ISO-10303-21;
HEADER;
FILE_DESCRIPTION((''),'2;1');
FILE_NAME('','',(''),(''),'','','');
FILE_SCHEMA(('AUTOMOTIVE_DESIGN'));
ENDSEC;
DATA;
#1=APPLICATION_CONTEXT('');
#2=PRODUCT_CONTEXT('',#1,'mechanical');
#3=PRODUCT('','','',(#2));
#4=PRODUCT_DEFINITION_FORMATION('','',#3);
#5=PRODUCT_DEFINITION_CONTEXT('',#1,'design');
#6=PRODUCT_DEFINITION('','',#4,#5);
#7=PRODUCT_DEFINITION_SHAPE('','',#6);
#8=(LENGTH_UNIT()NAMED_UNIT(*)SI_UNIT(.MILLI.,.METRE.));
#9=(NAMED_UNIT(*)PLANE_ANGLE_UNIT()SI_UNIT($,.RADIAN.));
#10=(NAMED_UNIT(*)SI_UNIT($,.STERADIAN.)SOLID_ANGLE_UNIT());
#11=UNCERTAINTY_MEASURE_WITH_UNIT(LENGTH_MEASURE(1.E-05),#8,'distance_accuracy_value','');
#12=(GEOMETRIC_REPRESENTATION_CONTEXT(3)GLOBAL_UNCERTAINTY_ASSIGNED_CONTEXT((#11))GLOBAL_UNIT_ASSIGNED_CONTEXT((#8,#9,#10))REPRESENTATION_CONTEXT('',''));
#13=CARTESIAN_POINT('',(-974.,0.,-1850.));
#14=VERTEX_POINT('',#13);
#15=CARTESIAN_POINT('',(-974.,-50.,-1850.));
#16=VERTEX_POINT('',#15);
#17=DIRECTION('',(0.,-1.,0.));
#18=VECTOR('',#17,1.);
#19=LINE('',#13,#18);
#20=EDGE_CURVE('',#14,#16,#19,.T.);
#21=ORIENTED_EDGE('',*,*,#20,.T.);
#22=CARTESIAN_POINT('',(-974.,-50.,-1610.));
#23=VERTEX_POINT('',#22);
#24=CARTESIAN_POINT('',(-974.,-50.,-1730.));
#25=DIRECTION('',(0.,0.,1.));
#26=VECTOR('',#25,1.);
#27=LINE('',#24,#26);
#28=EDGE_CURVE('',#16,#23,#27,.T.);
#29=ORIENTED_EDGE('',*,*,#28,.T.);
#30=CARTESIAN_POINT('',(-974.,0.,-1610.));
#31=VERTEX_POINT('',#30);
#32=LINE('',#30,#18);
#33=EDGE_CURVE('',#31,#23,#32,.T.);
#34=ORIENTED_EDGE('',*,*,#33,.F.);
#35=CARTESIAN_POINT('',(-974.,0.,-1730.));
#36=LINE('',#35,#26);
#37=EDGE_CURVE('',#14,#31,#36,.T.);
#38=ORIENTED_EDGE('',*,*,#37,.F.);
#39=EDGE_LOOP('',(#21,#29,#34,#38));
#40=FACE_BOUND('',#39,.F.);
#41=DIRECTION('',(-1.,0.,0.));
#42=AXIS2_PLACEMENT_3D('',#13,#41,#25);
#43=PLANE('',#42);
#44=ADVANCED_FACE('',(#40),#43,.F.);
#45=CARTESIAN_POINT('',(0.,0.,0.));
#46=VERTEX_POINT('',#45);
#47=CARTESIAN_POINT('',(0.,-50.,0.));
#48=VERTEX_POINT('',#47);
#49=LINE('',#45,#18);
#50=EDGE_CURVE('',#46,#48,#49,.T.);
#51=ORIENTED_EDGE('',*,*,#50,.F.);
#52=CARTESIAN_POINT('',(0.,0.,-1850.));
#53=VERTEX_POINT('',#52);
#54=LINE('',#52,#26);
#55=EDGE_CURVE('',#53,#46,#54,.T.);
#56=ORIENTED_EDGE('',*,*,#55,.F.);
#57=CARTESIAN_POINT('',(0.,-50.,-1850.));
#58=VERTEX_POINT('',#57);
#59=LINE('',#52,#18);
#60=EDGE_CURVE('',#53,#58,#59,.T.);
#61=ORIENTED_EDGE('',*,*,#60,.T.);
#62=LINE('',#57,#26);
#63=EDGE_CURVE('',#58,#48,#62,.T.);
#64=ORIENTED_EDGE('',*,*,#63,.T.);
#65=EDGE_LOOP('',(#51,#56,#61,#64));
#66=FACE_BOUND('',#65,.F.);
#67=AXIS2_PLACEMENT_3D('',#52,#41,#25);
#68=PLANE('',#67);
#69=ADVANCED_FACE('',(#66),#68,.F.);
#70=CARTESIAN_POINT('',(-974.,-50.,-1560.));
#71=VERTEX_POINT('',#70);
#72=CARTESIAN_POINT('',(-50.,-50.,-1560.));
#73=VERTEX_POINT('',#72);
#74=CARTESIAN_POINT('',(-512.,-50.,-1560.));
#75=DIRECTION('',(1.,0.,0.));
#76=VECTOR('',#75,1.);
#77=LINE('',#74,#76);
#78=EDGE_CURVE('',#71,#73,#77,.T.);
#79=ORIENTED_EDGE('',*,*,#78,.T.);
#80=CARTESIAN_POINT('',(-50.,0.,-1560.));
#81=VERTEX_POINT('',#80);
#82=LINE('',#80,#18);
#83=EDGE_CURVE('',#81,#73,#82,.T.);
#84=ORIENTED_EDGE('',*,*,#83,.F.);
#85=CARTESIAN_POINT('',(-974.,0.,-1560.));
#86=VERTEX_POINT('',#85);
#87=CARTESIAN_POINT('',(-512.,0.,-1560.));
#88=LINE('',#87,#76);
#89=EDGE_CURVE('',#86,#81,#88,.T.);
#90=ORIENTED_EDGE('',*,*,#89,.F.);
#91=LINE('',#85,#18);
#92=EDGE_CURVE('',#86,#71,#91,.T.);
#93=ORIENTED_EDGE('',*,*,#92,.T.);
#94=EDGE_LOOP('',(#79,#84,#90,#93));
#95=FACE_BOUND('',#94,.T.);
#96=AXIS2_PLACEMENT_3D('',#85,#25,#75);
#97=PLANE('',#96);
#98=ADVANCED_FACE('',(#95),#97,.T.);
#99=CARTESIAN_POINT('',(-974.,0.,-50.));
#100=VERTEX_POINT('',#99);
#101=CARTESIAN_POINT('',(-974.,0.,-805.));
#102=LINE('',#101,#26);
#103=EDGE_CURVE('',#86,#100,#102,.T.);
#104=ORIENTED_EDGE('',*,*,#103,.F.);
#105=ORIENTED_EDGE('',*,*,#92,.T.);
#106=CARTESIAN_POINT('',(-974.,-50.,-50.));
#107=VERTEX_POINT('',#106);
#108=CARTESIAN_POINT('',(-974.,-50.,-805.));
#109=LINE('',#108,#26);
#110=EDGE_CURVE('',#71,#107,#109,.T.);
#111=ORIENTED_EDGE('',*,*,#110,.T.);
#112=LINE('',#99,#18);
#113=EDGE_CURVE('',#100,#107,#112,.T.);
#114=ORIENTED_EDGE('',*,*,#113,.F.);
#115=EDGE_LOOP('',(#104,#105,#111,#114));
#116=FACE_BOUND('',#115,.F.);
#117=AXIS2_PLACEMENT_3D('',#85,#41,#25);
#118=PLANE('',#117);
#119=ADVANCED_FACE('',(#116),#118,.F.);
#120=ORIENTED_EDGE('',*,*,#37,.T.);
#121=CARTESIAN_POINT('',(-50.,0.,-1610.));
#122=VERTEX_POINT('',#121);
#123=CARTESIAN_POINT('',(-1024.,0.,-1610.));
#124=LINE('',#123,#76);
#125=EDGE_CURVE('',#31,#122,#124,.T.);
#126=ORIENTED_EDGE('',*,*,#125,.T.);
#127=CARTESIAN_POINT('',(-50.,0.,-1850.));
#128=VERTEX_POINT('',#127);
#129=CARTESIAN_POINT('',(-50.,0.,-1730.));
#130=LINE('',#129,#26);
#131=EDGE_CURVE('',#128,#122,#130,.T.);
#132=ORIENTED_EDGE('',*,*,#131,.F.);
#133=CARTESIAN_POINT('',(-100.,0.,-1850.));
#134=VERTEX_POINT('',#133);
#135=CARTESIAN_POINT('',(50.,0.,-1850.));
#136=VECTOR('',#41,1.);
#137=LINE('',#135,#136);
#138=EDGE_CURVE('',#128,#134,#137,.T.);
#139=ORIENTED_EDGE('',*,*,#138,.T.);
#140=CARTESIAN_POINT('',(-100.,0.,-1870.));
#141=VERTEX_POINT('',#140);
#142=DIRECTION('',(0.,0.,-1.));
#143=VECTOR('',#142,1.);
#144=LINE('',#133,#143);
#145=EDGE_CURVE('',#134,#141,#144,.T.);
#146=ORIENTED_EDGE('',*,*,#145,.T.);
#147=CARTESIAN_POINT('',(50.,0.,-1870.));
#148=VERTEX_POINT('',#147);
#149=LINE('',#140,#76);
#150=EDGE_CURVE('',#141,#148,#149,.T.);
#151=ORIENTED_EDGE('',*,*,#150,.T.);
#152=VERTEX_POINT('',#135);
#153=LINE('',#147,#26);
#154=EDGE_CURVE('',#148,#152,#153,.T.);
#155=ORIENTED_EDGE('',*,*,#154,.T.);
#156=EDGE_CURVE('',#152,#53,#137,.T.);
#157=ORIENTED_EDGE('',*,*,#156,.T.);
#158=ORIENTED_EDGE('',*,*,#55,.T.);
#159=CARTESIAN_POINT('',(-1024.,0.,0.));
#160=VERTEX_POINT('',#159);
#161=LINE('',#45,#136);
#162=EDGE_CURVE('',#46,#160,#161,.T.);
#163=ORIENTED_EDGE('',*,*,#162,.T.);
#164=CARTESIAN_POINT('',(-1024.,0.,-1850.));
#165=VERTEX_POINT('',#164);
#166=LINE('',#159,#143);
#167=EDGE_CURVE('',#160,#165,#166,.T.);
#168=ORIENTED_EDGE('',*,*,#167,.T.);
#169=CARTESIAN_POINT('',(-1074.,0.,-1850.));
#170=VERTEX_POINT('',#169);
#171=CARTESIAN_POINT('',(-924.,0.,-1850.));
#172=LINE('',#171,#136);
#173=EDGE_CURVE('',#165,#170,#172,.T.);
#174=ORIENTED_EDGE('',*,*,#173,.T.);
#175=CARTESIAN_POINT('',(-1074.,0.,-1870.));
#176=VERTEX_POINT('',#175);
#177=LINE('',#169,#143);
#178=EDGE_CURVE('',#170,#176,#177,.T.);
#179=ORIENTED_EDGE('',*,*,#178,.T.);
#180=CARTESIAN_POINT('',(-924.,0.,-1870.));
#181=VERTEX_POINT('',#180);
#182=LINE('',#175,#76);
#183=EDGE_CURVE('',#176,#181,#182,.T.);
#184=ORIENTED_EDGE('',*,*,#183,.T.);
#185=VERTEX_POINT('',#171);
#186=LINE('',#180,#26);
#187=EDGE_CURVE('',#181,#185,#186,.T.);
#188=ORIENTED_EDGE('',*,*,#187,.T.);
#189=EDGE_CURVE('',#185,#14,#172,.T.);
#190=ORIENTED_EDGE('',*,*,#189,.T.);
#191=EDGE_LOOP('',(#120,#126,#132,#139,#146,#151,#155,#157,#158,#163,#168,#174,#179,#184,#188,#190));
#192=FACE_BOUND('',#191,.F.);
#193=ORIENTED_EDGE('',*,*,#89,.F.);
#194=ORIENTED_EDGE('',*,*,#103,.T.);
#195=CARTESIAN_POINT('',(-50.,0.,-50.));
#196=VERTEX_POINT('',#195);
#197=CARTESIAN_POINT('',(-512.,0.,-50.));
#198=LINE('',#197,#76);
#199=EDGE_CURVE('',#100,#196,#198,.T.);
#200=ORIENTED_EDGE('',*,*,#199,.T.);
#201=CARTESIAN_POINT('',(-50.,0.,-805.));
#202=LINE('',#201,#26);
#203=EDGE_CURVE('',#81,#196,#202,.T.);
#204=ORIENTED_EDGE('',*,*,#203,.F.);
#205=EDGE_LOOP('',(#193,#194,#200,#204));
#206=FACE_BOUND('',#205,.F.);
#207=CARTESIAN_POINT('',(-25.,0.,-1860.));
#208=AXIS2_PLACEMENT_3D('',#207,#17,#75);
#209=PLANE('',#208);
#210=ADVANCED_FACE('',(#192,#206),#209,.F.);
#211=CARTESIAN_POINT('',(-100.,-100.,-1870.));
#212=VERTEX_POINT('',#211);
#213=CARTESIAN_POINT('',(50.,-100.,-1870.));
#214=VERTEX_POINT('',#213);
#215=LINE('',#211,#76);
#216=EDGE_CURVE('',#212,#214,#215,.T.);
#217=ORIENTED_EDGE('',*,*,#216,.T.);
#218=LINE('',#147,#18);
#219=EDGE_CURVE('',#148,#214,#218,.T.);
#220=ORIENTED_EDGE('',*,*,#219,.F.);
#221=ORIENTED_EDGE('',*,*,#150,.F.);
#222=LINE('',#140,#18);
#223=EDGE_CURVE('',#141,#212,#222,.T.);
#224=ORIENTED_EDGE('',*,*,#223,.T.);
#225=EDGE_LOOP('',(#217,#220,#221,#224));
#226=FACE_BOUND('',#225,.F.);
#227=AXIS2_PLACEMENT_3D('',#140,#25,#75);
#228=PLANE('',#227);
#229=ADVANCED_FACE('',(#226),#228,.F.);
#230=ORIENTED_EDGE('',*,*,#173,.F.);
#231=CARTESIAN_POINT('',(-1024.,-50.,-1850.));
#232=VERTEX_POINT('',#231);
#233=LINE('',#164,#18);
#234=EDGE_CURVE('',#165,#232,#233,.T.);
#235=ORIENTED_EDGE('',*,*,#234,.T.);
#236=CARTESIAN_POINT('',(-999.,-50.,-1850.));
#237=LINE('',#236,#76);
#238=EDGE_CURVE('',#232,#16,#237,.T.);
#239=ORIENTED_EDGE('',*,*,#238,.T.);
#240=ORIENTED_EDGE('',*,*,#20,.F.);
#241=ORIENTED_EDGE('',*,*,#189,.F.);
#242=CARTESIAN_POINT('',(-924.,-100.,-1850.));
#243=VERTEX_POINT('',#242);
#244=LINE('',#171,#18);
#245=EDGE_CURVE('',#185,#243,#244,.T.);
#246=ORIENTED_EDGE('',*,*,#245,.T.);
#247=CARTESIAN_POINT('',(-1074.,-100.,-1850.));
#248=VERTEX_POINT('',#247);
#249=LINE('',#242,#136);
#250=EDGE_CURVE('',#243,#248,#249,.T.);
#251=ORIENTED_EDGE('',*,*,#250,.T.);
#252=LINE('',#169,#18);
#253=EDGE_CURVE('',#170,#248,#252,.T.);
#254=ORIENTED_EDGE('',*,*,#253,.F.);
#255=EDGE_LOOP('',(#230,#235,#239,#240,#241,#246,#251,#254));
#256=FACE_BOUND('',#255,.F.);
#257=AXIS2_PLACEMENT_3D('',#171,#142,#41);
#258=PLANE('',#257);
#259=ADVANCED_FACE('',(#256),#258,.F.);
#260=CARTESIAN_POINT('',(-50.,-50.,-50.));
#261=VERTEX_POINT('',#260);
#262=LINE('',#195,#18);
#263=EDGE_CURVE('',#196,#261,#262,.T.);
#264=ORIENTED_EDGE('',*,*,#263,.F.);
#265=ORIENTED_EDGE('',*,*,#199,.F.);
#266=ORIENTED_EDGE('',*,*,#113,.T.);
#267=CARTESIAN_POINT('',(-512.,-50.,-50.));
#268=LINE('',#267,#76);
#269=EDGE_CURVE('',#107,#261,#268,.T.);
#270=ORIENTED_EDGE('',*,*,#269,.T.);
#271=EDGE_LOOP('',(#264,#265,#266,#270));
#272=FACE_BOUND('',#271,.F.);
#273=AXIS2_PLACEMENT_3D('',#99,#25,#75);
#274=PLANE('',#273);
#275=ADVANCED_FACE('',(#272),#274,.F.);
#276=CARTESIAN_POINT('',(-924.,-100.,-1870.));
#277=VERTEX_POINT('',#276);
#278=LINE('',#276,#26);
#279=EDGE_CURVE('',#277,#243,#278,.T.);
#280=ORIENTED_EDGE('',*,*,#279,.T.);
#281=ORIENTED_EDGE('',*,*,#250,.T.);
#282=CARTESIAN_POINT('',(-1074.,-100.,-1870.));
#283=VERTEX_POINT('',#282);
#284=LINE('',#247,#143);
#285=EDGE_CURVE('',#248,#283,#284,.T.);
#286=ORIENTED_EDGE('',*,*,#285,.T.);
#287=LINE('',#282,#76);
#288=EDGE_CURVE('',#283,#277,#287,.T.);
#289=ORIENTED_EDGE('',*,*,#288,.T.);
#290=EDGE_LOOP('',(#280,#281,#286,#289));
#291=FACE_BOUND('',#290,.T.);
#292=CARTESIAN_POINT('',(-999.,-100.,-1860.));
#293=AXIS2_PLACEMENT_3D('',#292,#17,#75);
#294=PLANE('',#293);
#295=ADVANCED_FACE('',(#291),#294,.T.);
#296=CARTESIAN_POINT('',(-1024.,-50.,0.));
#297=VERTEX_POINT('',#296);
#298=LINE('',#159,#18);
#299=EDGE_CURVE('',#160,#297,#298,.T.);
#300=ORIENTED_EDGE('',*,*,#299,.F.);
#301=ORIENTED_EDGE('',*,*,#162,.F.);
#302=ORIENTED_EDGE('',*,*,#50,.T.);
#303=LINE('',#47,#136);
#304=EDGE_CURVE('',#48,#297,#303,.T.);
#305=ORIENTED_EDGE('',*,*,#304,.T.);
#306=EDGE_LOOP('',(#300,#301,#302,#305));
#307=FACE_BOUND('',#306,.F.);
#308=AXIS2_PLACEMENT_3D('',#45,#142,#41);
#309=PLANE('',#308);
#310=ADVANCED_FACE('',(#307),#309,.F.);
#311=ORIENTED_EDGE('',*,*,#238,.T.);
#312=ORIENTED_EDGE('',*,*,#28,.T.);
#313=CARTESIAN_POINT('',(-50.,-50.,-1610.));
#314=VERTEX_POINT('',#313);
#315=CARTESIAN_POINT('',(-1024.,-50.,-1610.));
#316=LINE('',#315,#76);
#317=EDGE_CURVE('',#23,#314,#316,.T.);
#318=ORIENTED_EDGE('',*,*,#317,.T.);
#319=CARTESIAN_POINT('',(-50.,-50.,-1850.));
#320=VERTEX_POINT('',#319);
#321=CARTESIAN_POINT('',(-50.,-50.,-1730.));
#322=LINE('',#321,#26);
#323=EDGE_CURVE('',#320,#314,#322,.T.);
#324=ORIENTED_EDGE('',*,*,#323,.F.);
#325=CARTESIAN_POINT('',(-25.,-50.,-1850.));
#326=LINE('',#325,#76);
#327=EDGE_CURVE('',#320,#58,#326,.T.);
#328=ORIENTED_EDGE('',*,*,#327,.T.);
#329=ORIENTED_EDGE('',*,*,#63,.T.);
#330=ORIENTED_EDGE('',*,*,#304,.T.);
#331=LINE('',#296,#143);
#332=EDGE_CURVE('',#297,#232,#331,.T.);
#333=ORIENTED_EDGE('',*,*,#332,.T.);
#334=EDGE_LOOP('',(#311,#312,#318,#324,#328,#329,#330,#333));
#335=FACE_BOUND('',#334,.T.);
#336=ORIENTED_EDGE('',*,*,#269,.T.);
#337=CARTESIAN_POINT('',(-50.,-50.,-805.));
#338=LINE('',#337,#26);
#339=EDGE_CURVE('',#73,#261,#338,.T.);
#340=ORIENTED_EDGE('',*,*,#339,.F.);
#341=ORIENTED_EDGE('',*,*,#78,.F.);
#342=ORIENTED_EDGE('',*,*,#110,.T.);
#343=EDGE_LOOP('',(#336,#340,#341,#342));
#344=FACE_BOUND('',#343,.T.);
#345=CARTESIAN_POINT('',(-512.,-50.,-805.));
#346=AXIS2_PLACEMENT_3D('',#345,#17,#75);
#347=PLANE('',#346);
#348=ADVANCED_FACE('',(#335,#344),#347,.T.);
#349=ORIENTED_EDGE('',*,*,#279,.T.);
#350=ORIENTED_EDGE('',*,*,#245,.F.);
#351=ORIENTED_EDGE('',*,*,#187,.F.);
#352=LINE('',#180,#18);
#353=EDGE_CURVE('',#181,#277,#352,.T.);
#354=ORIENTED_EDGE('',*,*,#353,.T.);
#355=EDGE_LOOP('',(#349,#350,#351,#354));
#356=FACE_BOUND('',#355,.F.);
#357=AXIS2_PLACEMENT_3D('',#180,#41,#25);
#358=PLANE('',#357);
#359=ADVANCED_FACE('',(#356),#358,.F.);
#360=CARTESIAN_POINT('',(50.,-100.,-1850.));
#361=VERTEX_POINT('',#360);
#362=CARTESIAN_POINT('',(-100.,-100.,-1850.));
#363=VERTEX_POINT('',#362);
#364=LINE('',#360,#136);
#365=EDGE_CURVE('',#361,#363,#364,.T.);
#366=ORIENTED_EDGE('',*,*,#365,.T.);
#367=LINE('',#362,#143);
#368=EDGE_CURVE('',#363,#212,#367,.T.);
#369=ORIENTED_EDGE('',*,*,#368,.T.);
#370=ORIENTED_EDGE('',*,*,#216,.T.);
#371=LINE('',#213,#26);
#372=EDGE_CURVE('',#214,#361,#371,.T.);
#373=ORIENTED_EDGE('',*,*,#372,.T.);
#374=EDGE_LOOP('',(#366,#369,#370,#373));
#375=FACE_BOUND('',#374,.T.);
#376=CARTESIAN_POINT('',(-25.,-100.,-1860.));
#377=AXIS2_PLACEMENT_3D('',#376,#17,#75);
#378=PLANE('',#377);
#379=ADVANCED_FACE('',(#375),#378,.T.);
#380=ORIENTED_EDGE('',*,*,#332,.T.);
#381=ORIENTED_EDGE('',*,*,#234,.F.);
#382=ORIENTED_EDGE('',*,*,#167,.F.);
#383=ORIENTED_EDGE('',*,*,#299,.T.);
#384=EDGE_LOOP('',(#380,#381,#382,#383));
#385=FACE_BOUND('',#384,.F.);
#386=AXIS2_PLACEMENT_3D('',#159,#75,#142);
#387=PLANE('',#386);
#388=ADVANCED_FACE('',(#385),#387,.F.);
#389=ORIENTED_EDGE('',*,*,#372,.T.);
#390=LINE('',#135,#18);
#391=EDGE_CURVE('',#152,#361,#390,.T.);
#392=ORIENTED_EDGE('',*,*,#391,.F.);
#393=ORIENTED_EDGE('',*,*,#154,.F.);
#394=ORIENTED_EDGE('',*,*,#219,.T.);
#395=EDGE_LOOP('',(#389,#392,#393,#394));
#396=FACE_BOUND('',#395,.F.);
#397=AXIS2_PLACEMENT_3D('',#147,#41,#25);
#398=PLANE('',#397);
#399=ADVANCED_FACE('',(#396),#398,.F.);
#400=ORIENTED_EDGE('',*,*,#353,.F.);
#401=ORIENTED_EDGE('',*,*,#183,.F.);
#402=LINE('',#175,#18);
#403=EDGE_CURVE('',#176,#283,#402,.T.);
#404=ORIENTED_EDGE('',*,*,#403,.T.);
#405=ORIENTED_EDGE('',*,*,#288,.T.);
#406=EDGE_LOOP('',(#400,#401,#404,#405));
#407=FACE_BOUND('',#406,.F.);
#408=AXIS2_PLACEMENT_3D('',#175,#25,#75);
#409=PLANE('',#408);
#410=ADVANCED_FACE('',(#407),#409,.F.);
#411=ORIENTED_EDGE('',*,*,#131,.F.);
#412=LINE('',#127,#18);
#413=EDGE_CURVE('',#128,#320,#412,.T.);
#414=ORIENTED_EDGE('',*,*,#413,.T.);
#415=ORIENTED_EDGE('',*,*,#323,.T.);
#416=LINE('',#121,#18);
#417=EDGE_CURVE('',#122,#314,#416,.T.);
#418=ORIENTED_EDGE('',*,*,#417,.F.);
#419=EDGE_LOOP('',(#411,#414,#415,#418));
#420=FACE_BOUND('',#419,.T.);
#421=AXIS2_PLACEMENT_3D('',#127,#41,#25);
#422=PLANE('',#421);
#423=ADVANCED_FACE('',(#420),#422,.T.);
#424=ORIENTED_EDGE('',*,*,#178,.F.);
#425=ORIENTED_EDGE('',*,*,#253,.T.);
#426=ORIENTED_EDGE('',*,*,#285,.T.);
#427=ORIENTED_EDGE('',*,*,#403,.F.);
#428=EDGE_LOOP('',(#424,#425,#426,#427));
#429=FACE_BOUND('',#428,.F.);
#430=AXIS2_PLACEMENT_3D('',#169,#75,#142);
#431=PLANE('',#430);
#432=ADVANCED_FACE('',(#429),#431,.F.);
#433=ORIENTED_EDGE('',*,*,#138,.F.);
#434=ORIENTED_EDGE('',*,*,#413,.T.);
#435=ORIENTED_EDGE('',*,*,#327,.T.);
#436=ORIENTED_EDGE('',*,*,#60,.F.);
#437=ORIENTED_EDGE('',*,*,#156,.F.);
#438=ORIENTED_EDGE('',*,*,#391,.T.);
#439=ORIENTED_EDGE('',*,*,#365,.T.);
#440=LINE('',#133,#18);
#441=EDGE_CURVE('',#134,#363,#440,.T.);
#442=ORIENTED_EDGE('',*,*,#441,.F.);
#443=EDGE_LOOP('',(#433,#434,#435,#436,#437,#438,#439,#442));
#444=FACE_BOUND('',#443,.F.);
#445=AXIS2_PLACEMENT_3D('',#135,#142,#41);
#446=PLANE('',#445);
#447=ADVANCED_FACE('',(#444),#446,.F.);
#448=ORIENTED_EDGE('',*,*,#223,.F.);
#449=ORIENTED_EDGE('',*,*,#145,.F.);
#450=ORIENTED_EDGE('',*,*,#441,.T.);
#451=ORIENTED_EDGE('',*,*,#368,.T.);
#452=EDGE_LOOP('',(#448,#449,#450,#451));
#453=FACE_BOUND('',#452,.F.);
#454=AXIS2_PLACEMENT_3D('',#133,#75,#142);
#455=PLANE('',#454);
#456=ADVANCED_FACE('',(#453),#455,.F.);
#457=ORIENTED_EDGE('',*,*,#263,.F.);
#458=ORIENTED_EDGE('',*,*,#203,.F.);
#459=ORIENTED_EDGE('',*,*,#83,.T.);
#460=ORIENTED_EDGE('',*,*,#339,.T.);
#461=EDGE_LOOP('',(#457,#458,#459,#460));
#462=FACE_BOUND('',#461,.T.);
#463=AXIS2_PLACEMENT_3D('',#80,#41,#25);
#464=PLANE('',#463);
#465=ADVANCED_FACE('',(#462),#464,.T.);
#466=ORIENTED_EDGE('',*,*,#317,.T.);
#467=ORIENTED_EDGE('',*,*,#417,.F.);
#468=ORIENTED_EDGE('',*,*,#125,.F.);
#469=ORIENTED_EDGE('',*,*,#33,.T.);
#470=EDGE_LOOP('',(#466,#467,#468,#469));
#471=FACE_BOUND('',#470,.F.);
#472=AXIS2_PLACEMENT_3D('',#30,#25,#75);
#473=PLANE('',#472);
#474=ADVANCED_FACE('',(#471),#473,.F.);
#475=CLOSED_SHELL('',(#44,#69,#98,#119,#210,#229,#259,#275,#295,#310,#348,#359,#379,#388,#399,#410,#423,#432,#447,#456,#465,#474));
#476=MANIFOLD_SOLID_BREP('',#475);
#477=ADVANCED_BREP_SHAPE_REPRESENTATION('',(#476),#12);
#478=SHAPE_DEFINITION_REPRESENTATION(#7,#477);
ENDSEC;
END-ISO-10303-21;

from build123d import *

# Parameters (mm, degrees)
F0_W     = 924
F0_H     = 1510
F0_W_2   = 50
F0_H_2   = 240
F1_DEPTH = 50
F2_DEPTH = 100
F3_DEPTH = 100


with BuildPart() as f1:
    # F0 (on Front) → F1 (new body)
    with BuildSketch(Plane.XZ):
        Polygon((0, 0), (-1024, 0), (-1024, -1610), (-974, -1610), (-50, -1610), (0, -1610), align=None)
        with Locations((-512, -805)):
            Rectangle(F0_W, F0_H, mode=Mode.SUBTRACT)
        with Locations((-999, -1730)):
            Rectangle(F0_W_2, F0_H_2)
        with Locations((-25, -1730)):
            Rectangle(F0_W_2, F0_H_2)
    extrude(amount=F1_DEPTH)

    # F0 (on Front) → F2 (join)
    with BuildSketch(Plane.XZ):
        Polygon((-974, -1850), (-1024, -1850), (-1074, -1850), (-1074, -1870), (-924, -1870), (-924, -1850), align=None)
    extrude(amount=F2_DEPTH)

    # F0 (on Front) → F3 (join)
    with BuildSketch(Plane.XZ):
        Polygon((50, -1850), (0, -1850), (-50, -1850), (-100, -1850), (-100, -1870), (50, -1870), align=None)
    extrude(amount=F3_DEPTH)


solid = f1.part
